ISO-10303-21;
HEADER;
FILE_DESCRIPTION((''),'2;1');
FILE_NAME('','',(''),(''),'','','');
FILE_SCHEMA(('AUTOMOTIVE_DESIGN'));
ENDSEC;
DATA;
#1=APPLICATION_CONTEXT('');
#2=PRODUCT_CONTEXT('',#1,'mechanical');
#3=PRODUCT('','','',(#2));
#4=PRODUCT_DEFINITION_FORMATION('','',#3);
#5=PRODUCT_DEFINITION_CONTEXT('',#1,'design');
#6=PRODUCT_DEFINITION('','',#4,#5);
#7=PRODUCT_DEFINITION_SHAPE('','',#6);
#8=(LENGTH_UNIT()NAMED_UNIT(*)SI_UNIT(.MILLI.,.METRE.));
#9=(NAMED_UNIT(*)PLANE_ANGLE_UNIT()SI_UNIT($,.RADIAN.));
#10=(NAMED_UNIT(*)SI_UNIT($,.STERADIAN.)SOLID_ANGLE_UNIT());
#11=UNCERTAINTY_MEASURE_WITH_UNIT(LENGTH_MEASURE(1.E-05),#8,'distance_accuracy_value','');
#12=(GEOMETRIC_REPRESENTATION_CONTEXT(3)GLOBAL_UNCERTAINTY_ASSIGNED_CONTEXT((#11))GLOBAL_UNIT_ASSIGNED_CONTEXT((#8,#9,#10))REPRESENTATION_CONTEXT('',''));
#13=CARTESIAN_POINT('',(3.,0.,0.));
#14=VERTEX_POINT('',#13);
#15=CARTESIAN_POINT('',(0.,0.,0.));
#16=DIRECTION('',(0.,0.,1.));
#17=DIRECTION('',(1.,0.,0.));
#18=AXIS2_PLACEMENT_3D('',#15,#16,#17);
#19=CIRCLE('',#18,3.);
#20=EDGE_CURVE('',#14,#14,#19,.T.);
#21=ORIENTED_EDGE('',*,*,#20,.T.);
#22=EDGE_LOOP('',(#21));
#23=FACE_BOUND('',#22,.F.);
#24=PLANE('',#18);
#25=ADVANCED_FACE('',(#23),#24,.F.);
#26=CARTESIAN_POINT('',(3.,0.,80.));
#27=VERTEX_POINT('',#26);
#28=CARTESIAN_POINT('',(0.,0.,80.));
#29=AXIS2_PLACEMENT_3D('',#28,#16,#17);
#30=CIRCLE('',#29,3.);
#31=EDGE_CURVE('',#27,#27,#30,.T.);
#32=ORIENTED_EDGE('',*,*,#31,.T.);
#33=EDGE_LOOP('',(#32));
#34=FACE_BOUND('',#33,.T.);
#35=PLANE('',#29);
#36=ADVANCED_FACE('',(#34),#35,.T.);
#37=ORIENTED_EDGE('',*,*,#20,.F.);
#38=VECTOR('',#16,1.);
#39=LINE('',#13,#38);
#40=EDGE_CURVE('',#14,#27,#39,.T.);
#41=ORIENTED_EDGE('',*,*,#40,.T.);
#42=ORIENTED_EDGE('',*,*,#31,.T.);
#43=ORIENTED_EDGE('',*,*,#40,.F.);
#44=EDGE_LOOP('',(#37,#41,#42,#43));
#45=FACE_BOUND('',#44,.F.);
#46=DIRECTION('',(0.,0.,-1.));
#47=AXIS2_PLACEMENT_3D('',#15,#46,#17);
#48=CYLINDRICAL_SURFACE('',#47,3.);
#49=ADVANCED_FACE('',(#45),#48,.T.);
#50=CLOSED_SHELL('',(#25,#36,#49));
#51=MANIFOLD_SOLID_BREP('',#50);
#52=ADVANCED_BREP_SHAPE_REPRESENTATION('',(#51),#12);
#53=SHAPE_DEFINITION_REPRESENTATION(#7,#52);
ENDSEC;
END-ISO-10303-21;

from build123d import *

# Parameters (mm, degrees)
SKETCH1_R           = 3
BOSS_EXTRUDE1_DEPTH = 80


with BuildPart() as part:
    # Sketch1 → Boss-Extrude1 (new body)
    with BuildSketch(Plane.XY):
        Circle(SKETCH1_R)
    extrude(amount=BOSS_EXTRUDE1_DEPTH)


solid = part.part
